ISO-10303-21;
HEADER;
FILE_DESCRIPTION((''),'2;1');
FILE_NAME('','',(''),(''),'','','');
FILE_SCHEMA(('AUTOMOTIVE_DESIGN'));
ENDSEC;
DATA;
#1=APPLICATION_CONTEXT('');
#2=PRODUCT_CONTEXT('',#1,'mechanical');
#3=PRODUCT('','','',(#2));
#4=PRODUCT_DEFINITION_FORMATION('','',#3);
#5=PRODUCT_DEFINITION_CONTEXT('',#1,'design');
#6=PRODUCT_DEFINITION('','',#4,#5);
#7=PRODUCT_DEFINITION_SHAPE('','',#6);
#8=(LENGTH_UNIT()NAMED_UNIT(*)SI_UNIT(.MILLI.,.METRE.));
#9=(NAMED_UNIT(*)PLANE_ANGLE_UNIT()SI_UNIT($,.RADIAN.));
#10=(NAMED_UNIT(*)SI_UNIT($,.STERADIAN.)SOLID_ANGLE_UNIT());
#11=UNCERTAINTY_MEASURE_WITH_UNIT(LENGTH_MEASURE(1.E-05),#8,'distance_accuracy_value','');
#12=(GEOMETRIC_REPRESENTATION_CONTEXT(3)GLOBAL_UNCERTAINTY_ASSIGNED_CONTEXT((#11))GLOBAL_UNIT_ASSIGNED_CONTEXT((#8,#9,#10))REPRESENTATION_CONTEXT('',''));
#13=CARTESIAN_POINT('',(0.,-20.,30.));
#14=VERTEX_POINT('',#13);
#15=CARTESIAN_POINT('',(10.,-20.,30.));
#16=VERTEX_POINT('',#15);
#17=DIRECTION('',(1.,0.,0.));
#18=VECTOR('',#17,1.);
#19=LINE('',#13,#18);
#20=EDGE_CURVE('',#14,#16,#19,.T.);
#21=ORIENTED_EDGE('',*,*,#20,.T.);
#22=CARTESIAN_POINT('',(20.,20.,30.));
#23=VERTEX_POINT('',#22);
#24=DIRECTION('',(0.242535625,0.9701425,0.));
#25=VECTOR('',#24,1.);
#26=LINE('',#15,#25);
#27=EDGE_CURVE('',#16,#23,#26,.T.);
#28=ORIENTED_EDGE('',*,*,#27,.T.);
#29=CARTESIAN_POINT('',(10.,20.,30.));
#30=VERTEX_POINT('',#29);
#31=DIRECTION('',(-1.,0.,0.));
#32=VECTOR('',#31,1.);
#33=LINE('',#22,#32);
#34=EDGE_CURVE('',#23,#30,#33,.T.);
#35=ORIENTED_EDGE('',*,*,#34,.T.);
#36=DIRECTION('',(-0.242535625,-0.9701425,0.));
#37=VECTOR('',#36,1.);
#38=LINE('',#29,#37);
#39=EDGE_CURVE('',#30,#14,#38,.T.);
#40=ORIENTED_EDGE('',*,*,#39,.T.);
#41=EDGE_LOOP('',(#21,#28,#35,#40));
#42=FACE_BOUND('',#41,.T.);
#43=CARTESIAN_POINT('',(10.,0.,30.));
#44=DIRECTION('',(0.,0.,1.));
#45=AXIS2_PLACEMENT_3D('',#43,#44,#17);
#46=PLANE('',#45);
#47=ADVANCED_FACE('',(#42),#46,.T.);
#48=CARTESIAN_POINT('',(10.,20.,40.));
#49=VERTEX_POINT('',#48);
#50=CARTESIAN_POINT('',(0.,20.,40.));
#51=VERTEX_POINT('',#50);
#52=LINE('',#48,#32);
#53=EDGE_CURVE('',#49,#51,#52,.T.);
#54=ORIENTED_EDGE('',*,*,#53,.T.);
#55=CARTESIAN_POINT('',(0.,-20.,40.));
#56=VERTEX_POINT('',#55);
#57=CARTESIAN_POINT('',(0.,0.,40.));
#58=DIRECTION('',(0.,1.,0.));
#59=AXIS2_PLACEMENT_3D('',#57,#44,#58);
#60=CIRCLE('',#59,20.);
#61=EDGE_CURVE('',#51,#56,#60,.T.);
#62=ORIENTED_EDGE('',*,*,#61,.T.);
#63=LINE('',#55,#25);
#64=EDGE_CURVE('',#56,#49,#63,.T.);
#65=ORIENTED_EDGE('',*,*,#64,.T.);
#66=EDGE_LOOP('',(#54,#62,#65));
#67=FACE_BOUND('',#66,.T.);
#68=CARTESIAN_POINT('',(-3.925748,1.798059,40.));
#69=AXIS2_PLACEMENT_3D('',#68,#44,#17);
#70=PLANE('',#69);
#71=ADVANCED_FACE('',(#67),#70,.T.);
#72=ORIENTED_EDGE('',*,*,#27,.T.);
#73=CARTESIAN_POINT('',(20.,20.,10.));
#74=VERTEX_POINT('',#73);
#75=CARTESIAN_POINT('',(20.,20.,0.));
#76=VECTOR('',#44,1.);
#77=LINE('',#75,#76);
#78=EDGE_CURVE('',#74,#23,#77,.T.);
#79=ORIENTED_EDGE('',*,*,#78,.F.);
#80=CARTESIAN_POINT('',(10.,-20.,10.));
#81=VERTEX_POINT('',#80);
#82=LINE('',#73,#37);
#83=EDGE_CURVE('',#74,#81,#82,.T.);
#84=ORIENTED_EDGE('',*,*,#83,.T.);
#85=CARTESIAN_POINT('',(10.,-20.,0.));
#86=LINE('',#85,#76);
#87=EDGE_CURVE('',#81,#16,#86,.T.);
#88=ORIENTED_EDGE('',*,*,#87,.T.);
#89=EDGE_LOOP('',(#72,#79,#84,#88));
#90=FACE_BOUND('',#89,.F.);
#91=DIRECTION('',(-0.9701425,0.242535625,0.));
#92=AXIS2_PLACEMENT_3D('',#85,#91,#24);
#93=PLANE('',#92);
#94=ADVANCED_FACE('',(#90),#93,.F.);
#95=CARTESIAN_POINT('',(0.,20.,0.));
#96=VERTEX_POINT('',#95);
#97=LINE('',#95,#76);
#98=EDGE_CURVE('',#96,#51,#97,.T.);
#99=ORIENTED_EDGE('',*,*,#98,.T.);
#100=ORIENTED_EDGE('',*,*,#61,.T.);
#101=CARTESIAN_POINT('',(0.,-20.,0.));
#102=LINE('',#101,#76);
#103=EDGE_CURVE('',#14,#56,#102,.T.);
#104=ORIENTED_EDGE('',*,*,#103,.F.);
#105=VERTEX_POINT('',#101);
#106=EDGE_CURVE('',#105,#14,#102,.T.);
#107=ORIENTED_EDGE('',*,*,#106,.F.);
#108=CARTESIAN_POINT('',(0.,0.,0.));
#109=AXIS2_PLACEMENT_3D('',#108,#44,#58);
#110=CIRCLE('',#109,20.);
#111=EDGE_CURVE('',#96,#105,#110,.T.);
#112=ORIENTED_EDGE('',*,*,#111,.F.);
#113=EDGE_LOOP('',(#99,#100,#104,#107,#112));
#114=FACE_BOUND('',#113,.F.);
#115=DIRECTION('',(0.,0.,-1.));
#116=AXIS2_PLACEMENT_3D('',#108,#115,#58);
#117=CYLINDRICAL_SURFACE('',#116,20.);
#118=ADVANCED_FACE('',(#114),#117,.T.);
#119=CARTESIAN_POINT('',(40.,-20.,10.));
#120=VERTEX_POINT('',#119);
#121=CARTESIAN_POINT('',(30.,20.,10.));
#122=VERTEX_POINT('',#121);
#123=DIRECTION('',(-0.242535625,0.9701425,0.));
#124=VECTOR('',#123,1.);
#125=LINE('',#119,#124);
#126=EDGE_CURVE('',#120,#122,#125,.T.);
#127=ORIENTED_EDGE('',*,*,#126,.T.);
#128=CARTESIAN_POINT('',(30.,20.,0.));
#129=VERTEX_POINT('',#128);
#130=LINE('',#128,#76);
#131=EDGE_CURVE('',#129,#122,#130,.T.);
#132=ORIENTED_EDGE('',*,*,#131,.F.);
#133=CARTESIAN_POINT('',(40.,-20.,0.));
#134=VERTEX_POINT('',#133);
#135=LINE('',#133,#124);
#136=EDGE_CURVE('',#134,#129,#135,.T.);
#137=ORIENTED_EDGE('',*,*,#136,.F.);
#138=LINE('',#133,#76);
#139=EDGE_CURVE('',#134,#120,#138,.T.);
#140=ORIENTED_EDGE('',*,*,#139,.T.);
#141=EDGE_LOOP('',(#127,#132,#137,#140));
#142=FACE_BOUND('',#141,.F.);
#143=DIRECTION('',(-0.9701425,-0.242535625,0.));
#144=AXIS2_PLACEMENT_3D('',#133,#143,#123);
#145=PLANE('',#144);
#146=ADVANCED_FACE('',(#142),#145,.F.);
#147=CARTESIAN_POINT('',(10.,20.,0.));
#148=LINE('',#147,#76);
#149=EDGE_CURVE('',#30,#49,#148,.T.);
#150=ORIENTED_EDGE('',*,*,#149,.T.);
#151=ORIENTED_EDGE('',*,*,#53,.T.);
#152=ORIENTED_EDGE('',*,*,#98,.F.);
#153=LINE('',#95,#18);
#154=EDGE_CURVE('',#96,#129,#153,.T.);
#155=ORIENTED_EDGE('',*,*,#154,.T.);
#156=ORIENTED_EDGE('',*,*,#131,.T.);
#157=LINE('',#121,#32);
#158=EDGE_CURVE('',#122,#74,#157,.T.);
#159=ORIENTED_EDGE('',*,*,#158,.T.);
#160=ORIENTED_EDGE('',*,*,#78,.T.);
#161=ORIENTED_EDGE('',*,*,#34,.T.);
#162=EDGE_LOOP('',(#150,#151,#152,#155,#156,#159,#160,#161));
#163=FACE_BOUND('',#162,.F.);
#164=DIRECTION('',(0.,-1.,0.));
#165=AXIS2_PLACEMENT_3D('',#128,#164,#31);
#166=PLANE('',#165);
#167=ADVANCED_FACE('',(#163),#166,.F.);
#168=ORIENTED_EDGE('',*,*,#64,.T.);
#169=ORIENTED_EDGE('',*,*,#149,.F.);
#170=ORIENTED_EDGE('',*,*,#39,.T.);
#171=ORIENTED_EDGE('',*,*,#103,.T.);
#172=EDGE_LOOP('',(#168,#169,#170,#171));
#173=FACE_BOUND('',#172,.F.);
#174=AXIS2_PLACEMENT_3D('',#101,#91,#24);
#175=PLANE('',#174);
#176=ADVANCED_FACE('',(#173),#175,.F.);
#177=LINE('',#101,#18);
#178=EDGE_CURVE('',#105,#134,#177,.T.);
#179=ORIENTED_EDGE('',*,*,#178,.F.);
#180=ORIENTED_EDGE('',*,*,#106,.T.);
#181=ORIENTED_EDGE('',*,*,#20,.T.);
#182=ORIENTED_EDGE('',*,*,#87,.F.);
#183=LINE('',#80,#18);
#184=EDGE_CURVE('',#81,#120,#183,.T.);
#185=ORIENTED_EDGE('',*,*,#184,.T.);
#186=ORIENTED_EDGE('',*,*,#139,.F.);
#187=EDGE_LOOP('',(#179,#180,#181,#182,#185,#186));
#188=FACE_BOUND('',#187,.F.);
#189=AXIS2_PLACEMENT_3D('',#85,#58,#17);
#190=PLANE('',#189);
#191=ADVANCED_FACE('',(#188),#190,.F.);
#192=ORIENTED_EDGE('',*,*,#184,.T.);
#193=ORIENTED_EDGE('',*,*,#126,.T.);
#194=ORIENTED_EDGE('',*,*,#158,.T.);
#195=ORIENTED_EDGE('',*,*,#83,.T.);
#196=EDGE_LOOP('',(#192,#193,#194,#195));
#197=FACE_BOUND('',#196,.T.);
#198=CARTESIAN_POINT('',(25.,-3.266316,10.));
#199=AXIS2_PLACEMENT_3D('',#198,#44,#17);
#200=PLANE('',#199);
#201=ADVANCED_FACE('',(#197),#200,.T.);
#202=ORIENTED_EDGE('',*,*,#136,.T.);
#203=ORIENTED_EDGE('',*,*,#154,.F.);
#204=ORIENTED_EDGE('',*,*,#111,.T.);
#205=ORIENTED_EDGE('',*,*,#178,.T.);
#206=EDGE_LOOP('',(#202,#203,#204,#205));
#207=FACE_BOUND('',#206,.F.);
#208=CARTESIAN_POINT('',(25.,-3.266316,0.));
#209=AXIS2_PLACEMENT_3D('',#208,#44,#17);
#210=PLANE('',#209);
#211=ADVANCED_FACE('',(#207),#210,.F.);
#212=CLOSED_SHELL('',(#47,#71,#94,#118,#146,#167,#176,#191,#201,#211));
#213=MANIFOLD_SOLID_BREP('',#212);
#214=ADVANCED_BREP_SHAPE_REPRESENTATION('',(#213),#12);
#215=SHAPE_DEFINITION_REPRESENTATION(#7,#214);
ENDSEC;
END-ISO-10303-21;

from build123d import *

# Parameters (mm, degrees)
F1_DEPTH = 40
F2_DEPTH = 30
F3_DEPTH = 10


with BuildPart() as f1:
    # F0 (on Top) → F1 (new body)
    with BuildSketch(Plane.XY):
        with BuildLine():
            Line((10, 20), (0, 20))
            ThreePointArc((0, 20), (-20, 0), (0, -20))
            Line((0, -20), (10, 20))
        make_face()
    extrude(amount=F1_DEPTH)

    # F0 (on Top) → F2 (join)
    with BuildSketch(Plane.XY):
        Polygon((10, 20), (0, -20), (10, -20), (20, 20), align=None)
    extrude(amount=F2_DEPTH)

    # F0 (on Top) → F3 (join)
    with BuildSketch(Plane.XY):
        Polygon((20, 20), (10, -20), (40, -20), (30, 20), align=None)
    extrude(amount=F3_DEPTH)


solid = f1.part
